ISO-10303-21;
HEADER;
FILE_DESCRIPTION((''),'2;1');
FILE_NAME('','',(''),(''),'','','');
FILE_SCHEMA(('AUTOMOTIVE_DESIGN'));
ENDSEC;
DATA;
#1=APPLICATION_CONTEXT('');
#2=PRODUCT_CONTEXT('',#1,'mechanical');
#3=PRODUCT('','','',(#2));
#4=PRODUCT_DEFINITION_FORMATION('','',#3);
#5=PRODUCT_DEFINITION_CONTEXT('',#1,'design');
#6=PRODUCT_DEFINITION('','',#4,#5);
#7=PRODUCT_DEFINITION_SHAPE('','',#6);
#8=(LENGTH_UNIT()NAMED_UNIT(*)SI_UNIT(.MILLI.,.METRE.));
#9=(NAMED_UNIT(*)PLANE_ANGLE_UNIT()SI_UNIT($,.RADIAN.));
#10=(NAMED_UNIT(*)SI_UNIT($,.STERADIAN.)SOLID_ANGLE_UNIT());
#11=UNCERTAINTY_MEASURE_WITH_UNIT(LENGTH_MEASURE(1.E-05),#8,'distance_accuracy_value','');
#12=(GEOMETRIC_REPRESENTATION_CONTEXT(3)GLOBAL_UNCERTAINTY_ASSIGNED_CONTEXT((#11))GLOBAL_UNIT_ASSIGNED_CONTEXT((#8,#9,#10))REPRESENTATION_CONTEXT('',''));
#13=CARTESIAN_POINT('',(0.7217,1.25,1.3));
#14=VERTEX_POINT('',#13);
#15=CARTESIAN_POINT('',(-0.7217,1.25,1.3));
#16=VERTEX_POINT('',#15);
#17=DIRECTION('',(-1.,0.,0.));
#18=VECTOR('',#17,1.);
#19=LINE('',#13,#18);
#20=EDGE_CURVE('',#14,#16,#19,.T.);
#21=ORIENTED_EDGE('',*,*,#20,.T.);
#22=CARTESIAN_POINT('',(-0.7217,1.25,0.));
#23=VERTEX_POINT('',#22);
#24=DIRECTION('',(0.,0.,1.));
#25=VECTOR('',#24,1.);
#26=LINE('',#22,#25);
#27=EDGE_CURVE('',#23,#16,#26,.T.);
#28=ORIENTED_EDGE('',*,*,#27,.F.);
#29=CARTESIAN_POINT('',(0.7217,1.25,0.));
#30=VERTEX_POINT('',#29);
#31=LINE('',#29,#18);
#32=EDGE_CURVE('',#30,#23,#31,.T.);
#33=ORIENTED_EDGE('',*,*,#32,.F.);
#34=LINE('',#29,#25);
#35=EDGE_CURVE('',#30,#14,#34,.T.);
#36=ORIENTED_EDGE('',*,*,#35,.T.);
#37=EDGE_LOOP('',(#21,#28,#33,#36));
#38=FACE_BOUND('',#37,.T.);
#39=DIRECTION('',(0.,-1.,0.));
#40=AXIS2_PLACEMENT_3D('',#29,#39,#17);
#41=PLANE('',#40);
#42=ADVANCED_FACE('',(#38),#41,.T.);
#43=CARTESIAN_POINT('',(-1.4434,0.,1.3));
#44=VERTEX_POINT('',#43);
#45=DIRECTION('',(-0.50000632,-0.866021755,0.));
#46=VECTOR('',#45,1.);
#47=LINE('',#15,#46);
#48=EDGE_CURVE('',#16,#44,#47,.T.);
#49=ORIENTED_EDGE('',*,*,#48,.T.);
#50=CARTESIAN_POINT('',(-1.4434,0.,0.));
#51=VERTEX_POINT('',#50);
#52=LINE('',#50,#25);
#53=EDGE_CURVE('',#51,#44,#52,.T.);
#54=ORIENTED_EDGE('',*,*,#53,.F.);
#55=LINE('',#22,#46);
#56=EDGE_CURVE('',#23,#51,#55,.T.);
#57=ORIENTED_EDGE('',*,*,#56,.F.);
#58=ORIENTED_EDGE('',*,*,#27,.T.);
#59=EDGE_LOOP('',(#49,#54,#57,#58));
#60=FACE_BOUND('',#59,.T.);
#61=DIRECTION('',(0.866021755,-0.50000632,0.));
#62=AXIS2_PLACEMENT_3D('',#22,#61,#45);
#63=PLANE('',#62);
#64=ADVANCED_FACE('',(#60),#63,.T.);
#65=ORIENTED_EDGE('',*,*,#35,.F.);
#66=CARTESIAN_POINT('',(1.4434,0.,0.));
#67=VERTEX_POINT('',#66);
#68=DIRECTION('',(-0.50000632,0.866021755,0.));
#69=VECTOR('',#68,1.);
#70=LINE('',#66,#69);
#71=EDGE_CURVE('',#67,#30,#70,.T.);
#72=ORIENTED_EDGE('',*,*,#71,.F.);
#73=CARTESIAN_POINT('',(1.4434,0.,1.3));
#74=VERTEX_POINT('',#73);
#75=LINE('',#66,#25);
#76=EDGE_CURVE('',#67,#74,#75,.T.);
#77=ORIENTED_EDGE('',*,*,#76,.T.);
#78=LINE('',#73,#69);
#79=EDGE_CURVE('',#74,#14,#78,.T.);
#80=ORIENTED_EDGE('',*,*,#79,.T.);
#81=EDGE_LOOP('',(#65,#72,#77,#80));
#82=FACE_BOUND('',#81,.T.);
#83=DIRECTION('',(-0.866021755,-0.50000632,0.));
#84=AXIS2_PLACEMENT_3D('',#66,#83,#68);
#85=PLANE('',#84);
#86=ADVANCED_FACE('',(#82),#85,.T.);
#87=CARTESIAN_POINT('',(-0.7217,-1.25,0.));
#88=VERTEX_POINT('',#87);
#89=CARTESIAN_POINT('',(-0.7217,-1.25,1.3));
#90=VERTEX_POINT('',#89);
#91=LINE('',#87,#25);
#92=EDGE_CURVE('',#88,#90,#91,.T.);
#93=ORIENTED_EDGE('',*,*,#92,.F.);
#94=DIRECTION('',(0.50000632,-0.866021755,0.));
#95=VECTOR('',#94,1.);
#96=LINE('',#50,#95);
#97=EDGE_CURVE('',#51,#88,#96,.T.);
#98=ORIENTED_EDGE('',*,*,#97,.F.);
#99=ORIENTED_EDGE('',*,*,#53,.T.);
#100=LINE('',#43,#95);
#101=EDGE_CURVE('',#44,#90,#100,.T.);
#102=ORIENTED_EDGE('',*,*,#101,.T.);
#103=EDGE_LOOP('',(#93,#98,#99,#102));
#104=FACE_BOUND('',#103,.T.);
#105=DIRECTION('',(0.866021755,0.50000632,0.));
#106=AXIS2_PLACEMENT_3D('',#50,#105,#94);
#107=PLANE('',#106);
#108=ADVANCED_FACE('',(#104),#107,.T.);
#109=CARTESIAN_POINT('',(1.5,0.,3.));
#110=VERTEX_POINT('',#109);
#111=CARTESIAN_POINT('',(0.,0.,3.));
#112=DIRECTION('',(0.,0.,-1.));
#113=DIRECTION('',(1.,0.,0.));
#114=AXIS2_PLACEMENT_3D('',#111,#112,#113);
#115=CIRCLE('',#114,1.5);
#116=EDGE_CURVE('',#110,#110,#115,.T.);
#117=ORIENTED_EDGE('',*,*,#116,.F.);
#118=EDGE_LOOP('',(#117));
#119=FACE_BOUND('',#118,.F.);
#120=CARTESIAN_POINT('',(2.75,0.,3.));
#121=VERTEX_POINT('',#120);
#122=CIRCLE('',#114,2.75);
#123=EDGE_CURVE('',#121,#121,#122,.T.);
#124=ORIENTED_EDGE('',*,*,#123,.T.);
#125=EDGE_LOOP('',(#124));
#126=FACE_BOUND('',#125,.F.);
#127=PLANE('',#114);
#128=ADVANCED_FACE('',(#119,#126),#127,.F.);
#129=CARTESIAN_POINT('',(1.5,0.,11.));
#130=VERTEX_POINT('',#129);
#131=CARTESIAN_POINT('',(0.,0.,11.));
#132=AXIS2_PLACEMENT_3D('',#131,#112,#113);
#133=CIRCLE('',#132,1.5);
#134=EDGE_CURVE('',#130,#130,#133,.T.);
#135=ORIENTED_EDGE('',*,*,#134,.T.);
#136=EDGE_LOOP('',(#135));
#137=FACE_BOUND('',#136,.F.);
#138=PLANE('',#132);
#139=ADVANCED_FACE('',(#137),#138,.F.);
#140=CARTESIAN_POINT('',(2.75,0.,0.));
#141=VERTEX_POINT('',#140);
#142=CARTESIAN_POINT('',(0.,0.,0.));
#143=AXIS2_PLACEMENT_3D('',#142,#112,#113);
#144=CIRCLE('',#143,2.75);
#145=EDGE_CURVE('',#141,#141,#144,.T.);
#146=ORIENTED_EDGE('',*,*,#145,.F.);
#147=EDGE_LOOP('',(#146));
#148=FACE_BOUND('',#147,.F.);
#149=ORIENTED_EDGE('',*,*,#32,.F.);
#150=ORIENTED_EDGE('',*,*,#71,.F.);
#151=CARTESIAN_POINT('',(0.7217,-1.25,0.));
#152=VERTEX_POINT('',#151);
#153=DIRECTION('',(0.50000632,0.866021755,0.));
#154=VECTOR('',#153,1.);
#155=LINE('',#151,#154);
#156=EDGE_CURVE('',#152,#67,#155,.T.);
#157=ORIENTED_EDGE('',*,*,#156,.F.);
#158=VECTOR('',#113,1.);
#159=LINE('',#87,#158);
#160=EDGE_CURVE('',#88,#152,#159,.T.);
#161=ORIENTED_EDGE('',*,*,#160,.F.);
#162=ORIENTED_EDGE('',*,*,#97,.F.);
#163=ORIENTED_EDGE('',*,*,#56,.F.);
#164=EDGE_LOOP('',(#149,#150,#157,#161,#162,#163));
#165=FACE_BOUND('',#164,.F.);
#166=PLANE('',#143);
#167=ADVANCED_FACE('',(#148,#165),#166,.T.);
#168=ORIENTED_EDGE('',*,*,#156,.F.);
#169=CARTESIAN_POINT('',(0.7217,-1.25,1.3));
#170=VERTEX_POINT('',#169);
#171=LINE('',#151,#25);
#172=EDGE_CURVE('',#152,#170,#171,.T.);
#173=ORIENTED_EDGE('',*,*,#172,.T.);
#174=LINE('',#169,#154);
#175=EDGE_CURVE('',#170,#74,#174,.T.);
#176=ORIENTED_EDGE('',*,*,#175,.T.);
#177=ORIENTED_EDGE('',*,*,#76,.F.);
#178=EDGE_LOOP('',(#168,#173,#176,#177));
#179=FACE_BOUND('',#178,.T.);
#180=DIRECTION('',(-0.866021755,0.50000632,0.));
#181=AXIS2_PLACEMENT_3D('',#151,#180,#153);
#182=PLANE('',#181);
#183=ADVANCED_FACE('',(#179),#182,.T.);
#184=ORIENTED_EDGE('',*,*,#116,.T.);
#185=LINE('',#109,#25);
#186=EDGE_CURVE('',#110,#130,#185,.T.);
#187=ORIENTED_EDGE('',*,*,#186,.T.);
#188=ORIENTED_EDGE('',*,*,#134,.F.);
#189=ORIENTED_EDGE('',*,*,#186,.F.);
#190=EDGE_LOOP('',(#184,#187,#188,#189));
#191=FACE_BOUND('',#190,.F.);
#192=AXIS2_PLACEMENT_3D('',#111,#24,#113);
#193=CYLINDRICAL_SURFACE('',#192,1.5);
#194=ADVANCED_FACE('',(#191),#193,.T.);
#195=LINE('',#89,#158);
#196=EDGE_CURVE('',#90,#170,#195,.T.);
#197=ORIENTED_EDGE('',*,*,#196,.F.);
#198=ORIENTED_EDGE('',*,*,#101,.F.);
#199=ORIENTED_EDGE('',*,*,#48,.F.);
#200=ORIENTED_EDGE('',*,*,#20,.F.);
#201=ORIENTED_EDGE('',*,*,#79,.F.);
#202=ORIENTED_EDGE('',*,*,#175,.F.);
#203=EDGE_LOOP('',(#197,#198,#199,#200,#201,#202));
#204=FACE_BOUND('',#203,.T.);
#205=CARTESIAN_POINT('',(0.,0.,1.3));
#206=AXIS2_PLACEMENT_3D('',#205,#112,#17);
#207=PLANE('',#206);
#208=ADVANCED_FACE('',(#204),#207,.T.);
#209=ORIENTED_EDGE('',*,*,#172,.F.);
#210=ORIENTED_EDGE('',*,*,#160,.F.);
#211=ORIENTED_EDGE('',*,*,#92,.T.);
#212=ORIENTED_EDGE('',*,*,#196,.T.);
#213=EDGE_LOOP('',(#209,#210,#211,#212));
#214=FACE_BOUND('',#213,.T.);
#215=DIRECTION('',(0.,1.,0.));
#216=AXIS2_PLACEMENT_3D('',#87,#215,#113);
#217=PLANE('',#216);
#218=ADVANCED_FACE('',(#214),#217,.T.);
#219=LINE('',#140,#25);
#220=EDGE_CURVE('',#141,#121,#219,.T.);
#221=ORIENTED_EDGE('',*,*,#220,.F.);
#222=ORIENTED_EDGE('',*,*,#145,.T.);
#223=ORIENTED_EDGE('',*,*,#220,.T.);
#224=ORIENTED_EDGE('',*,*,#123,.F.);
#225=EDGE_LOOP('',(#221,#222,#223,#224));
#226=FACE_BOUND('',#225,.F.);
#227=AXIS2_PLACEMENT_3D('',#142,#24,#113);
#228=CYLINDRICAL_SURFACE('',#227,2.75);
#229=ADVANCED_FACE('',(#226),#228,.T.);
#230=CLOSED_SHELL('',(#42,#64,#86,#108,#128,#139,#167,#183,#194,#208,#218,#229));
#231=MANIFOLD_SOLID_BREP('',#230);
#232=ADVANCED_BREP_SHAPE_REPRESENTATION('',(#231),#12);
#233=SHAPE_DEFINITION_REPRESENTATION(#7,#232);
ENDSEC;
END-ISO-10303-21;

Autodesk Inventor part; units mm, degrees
ref_plane "YZ Plane" through (0, 0, 0) normal (1, 0, 0) x (0, 1, 0)
ref_plane "XZ Plane" through (0, 0, 0) normal (0, 1, 0) x (-1, 0, 0)
ref_plane "XY Plane" through (0, 0, 0) normal (0, 0, 1) x (1, 0, 0)
sketch "Sketch1" plane through (0, 0, 0) normal (0, 1, 0) x (-1, 0, 0)
  line L0 (0, 0) -> (-2.75, 0)
  line L1 (-2.75, 0) -> (-2.75, 3)
  line L2 (-2.75, 3) -> (-1.5, 3)
  line L3 (-1.5, 3) -> (-1.5, 11)
  line L4 (-1.5, 11) -> (0, 11)
  line L5 (0, 11) -> (0, 0)
  dimension "ScrewLength" = 8
  dimension "Diameter" = 5.5
  dimension "Metric" = 3
  dimension "HeadLength" = 3
revolve "Revolution1" add sketch "Sketch1" angle 360 about axis through (0, 0, 11) along (0, 0, -1)
thread "Thread1" size "M3x0.5" class "6g" standard "ANSI Metric M Profile" full length
sketch "Sketch2" plane through (0, 0, 0) normal (0, 0, -1) x (-1, 0, 0)
  line L0 (0.7217, 1.25) -> (1.4434, 0)
  line L1 (1.4434, 0) -> (0.7217, -1.25)
  line L2 (0.7217, -1.25) -> (-0.7217, -1.25)
  line L3 (-0.7217, -1.25) -> (-1.4434, 0)
  line L4 (-1.4434, 0) -> (-0.7217, 1.25)
  line L5 (-0.7217, 1.25) -> (0.7217, 1.25)
  point P0 (0, 0)
  point P1 (0, 0)
  dimension "WidthAcrossFlat" = 2.5
extrude "Extrusion1" cut sketch "Sketch2" against normal blind 1.3
properties part number "UC-0308" material "Stainless Steel AISI 304"
